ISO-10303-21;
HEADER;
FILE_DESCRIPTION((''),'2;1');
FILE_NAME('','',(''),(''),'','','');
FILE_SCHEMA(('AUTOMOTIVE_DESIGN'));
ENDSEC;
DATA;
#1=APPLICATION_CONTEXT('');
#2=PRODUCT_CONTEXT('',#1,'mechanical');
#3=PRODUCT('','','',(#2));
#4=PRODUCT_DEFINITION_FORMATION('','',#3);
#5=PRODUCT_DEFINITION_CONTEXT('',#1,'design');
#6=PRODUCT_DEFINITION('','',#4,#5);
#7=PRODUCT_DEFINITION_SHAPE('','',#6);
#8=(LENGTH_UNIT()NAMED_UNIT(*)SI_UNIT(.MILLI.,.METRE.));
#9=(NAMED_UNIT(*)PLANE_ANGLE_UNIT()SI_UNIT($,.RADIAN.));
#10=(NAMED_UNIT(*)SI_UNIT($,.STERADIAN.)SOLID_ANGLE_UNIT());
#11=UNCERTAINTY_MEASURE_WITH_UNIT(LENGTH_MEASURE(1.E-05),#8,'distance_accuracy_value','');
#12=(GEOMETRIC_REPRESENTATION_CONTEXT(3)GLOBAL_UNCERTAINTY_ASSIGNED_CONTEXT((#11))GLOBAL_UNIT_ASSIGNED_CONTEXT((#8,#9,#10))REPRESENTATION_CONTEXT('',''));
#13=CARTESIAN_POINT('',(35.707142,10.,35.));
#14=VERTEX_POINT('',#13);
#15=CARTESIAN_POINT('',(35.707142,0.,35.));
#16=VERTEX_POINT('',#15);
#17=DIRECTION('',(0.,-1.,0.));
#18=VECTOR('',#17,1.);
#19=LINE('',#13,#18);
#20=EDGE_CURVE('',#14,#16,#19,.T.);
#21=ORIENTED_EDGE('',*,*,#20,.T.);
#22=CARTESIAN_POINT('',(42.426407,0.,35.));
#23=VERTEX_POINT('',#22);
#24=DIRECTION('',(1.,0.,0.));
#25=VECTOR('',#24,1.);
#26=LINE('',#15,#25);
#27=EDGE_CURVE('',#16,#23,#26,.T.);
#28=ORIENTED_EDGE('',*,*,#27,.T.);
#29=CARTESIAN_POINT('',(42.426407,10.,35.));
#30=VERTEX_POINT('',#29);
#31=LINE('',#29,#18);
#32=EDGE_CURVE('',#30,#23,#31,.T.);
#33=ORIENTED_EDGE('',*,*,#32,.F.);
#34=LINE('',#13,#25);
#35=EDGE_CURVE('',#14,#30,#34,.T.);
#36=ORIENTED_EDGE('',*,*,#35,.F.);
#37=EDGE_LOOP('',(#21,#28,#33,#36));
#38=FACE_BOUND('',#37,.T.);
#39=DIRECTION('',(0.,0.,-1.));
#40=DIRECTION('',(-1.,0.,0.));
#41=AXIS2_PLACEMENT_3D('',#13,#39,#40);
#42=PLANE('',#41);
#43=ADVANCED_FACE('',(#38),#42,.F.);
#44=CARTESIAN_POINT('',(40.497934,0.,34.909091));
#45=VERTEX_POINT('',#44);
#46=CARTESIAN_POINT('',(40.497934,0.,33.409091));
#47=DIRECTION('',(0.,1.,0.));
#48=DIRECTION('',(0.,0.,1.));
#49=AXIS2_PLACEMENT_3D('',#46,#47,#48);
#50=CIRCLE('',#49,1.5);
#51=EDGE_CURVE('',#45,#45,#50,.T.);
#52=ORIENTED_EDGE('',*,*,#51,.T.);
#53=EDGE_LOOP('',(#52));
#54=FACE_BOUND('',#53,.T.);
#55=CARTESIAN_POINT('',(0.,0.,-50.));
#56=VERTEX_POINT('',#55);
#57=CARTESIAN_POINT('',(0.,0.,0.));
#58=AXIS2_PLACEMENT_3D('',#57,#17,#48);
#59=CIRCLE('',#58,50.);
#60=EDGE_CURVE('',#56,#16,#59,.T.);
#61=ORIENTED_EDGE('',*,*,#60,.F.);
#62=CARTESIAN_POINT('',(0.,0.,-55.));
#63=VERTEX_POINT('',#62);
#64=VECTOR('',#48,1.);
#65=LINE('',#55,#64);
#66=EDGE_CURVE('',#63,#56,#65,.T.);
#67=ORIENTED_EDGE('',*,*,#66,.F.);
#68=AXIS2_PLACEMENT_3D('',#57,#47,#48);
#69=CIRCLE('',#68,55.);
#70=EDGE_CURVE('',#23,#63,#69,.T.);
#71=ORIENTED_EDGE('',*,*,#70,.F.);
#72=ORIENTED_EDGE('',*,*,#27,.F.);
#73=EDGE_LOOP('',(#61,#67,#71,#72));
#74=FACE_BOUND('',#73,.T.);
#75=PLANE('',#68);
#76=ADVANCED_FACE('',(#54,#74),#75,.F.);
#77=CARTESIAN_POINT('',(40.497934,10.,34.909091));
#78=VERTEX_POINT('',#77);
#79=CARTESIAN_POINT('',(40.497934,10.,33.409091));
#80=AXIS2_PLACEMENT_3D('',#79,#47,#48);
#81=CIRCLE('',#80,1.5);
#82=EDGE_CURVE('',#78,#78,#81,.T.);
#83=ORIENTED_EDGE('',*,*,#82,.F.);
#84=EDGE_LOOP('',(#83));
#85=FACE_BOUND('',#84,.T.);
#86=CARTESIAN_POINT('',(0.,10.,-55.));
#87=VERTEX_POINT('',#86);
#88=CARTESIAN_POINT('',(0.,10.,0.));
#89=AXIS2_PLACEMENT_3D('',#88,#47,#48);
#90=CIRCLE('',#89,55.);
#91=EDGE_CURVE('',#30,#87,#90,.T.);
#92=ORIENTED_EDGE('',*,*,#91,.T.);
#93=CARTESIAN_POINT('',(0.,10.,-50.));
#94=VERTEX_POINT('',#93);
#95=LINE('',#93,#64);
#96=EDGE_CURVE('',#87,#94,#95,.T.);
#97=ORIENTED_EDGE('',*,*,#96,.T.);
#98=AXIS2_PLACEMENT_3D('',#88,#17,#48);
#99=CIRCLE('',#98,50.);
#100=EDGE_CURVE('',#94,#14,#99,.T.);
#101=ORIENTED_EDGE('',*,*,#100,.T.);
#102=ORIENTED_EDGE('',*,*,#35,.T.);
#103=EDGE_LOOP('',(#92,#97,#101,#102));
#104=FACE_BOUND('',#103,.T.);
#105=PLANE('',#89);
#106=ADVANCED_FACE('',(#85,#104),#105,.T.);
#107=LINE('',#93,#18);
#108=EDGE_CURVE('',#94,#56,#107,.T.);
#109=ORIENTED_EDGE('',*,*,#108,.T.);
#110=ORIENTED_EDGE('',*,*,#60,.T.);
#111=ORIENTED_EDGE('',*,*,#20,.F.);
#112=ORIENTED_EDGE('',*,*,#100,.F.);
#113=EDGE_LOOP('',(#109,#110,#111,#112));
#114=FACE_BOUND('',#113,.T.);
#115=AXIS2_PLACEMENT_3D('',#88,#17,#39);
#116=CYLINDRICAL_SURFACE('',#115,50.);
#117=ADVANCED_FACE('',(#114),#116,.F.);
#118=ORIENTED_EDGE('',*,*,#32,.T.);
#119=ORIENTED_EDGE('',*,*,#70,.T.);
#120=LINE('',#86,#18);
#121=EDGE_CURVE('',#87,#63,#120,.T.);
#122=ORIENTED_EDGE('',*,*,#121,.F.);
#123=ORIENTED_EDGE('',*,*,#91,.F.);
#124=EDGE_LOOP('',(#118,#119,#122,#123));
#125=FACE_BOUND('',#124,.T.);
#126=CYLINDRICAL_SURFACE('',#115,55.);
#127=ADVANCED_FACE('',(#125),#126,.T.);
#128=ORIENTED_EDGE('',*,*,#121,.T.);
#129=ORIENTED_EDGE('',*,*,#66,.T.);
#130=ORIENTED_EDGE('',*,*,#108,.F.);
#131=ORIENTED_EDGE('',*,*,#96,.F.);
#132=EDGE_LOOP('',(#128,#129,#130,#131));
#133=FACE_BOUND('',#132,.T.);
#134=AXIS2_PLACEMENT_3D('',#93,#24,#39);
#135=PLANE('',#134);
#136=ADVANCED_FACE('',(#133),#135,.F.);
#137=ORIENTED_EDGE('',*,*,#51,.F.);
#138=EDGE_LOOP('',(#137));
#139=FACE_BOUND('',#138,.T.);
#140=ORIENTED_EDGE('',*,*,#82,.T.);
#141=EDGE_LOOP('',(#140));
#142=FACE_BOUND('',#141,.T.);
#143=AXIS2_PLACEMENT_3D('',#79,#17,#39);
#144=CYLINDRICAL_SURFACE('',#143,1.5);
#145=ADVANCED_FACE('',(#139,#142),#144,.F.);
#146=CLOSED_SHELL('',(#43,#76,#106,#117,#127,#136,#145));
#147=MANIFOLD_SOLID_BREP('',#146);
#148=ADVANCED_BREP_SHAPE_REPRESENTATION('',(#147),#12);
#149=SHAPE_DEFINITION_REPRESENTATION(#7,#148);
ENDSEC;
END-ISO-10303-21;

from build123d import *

# Parameters (mm, degrees)
SKETCH1_R           = 1.5
BOSS_EXTRUDE2_DEPTH = 10


with BuildPart() as part:
    # Sketch1 → Boss-Extrude2 (new body)
    with BuildSketch(Plane(origin=(0, 0, 0), x_dir=(1, 0, 0), z_dir=(0, 1, 0))):
        with BuildLine():
            Line((0, 50), (0, 55))
            ThreePointArc((0, 55), (49.749371855, 23.452078799), (42.426406871, -35))
            Line((42.426406871, -35), (35.707142143, -35))
            ThreePointArc((35.707142143, -35), (46.097722286, 19.364916731), (0, 50))
        make_face()
        with Locations(Location((40.497933832, -33.409090909, 0), (0, 0, 270))):
            Circle(SKETCH1_R, mode=Mode.SUBTRACT)
    extrude(amount=BOSS_EXTRUDE2_DEPTH)


solid = part.part
